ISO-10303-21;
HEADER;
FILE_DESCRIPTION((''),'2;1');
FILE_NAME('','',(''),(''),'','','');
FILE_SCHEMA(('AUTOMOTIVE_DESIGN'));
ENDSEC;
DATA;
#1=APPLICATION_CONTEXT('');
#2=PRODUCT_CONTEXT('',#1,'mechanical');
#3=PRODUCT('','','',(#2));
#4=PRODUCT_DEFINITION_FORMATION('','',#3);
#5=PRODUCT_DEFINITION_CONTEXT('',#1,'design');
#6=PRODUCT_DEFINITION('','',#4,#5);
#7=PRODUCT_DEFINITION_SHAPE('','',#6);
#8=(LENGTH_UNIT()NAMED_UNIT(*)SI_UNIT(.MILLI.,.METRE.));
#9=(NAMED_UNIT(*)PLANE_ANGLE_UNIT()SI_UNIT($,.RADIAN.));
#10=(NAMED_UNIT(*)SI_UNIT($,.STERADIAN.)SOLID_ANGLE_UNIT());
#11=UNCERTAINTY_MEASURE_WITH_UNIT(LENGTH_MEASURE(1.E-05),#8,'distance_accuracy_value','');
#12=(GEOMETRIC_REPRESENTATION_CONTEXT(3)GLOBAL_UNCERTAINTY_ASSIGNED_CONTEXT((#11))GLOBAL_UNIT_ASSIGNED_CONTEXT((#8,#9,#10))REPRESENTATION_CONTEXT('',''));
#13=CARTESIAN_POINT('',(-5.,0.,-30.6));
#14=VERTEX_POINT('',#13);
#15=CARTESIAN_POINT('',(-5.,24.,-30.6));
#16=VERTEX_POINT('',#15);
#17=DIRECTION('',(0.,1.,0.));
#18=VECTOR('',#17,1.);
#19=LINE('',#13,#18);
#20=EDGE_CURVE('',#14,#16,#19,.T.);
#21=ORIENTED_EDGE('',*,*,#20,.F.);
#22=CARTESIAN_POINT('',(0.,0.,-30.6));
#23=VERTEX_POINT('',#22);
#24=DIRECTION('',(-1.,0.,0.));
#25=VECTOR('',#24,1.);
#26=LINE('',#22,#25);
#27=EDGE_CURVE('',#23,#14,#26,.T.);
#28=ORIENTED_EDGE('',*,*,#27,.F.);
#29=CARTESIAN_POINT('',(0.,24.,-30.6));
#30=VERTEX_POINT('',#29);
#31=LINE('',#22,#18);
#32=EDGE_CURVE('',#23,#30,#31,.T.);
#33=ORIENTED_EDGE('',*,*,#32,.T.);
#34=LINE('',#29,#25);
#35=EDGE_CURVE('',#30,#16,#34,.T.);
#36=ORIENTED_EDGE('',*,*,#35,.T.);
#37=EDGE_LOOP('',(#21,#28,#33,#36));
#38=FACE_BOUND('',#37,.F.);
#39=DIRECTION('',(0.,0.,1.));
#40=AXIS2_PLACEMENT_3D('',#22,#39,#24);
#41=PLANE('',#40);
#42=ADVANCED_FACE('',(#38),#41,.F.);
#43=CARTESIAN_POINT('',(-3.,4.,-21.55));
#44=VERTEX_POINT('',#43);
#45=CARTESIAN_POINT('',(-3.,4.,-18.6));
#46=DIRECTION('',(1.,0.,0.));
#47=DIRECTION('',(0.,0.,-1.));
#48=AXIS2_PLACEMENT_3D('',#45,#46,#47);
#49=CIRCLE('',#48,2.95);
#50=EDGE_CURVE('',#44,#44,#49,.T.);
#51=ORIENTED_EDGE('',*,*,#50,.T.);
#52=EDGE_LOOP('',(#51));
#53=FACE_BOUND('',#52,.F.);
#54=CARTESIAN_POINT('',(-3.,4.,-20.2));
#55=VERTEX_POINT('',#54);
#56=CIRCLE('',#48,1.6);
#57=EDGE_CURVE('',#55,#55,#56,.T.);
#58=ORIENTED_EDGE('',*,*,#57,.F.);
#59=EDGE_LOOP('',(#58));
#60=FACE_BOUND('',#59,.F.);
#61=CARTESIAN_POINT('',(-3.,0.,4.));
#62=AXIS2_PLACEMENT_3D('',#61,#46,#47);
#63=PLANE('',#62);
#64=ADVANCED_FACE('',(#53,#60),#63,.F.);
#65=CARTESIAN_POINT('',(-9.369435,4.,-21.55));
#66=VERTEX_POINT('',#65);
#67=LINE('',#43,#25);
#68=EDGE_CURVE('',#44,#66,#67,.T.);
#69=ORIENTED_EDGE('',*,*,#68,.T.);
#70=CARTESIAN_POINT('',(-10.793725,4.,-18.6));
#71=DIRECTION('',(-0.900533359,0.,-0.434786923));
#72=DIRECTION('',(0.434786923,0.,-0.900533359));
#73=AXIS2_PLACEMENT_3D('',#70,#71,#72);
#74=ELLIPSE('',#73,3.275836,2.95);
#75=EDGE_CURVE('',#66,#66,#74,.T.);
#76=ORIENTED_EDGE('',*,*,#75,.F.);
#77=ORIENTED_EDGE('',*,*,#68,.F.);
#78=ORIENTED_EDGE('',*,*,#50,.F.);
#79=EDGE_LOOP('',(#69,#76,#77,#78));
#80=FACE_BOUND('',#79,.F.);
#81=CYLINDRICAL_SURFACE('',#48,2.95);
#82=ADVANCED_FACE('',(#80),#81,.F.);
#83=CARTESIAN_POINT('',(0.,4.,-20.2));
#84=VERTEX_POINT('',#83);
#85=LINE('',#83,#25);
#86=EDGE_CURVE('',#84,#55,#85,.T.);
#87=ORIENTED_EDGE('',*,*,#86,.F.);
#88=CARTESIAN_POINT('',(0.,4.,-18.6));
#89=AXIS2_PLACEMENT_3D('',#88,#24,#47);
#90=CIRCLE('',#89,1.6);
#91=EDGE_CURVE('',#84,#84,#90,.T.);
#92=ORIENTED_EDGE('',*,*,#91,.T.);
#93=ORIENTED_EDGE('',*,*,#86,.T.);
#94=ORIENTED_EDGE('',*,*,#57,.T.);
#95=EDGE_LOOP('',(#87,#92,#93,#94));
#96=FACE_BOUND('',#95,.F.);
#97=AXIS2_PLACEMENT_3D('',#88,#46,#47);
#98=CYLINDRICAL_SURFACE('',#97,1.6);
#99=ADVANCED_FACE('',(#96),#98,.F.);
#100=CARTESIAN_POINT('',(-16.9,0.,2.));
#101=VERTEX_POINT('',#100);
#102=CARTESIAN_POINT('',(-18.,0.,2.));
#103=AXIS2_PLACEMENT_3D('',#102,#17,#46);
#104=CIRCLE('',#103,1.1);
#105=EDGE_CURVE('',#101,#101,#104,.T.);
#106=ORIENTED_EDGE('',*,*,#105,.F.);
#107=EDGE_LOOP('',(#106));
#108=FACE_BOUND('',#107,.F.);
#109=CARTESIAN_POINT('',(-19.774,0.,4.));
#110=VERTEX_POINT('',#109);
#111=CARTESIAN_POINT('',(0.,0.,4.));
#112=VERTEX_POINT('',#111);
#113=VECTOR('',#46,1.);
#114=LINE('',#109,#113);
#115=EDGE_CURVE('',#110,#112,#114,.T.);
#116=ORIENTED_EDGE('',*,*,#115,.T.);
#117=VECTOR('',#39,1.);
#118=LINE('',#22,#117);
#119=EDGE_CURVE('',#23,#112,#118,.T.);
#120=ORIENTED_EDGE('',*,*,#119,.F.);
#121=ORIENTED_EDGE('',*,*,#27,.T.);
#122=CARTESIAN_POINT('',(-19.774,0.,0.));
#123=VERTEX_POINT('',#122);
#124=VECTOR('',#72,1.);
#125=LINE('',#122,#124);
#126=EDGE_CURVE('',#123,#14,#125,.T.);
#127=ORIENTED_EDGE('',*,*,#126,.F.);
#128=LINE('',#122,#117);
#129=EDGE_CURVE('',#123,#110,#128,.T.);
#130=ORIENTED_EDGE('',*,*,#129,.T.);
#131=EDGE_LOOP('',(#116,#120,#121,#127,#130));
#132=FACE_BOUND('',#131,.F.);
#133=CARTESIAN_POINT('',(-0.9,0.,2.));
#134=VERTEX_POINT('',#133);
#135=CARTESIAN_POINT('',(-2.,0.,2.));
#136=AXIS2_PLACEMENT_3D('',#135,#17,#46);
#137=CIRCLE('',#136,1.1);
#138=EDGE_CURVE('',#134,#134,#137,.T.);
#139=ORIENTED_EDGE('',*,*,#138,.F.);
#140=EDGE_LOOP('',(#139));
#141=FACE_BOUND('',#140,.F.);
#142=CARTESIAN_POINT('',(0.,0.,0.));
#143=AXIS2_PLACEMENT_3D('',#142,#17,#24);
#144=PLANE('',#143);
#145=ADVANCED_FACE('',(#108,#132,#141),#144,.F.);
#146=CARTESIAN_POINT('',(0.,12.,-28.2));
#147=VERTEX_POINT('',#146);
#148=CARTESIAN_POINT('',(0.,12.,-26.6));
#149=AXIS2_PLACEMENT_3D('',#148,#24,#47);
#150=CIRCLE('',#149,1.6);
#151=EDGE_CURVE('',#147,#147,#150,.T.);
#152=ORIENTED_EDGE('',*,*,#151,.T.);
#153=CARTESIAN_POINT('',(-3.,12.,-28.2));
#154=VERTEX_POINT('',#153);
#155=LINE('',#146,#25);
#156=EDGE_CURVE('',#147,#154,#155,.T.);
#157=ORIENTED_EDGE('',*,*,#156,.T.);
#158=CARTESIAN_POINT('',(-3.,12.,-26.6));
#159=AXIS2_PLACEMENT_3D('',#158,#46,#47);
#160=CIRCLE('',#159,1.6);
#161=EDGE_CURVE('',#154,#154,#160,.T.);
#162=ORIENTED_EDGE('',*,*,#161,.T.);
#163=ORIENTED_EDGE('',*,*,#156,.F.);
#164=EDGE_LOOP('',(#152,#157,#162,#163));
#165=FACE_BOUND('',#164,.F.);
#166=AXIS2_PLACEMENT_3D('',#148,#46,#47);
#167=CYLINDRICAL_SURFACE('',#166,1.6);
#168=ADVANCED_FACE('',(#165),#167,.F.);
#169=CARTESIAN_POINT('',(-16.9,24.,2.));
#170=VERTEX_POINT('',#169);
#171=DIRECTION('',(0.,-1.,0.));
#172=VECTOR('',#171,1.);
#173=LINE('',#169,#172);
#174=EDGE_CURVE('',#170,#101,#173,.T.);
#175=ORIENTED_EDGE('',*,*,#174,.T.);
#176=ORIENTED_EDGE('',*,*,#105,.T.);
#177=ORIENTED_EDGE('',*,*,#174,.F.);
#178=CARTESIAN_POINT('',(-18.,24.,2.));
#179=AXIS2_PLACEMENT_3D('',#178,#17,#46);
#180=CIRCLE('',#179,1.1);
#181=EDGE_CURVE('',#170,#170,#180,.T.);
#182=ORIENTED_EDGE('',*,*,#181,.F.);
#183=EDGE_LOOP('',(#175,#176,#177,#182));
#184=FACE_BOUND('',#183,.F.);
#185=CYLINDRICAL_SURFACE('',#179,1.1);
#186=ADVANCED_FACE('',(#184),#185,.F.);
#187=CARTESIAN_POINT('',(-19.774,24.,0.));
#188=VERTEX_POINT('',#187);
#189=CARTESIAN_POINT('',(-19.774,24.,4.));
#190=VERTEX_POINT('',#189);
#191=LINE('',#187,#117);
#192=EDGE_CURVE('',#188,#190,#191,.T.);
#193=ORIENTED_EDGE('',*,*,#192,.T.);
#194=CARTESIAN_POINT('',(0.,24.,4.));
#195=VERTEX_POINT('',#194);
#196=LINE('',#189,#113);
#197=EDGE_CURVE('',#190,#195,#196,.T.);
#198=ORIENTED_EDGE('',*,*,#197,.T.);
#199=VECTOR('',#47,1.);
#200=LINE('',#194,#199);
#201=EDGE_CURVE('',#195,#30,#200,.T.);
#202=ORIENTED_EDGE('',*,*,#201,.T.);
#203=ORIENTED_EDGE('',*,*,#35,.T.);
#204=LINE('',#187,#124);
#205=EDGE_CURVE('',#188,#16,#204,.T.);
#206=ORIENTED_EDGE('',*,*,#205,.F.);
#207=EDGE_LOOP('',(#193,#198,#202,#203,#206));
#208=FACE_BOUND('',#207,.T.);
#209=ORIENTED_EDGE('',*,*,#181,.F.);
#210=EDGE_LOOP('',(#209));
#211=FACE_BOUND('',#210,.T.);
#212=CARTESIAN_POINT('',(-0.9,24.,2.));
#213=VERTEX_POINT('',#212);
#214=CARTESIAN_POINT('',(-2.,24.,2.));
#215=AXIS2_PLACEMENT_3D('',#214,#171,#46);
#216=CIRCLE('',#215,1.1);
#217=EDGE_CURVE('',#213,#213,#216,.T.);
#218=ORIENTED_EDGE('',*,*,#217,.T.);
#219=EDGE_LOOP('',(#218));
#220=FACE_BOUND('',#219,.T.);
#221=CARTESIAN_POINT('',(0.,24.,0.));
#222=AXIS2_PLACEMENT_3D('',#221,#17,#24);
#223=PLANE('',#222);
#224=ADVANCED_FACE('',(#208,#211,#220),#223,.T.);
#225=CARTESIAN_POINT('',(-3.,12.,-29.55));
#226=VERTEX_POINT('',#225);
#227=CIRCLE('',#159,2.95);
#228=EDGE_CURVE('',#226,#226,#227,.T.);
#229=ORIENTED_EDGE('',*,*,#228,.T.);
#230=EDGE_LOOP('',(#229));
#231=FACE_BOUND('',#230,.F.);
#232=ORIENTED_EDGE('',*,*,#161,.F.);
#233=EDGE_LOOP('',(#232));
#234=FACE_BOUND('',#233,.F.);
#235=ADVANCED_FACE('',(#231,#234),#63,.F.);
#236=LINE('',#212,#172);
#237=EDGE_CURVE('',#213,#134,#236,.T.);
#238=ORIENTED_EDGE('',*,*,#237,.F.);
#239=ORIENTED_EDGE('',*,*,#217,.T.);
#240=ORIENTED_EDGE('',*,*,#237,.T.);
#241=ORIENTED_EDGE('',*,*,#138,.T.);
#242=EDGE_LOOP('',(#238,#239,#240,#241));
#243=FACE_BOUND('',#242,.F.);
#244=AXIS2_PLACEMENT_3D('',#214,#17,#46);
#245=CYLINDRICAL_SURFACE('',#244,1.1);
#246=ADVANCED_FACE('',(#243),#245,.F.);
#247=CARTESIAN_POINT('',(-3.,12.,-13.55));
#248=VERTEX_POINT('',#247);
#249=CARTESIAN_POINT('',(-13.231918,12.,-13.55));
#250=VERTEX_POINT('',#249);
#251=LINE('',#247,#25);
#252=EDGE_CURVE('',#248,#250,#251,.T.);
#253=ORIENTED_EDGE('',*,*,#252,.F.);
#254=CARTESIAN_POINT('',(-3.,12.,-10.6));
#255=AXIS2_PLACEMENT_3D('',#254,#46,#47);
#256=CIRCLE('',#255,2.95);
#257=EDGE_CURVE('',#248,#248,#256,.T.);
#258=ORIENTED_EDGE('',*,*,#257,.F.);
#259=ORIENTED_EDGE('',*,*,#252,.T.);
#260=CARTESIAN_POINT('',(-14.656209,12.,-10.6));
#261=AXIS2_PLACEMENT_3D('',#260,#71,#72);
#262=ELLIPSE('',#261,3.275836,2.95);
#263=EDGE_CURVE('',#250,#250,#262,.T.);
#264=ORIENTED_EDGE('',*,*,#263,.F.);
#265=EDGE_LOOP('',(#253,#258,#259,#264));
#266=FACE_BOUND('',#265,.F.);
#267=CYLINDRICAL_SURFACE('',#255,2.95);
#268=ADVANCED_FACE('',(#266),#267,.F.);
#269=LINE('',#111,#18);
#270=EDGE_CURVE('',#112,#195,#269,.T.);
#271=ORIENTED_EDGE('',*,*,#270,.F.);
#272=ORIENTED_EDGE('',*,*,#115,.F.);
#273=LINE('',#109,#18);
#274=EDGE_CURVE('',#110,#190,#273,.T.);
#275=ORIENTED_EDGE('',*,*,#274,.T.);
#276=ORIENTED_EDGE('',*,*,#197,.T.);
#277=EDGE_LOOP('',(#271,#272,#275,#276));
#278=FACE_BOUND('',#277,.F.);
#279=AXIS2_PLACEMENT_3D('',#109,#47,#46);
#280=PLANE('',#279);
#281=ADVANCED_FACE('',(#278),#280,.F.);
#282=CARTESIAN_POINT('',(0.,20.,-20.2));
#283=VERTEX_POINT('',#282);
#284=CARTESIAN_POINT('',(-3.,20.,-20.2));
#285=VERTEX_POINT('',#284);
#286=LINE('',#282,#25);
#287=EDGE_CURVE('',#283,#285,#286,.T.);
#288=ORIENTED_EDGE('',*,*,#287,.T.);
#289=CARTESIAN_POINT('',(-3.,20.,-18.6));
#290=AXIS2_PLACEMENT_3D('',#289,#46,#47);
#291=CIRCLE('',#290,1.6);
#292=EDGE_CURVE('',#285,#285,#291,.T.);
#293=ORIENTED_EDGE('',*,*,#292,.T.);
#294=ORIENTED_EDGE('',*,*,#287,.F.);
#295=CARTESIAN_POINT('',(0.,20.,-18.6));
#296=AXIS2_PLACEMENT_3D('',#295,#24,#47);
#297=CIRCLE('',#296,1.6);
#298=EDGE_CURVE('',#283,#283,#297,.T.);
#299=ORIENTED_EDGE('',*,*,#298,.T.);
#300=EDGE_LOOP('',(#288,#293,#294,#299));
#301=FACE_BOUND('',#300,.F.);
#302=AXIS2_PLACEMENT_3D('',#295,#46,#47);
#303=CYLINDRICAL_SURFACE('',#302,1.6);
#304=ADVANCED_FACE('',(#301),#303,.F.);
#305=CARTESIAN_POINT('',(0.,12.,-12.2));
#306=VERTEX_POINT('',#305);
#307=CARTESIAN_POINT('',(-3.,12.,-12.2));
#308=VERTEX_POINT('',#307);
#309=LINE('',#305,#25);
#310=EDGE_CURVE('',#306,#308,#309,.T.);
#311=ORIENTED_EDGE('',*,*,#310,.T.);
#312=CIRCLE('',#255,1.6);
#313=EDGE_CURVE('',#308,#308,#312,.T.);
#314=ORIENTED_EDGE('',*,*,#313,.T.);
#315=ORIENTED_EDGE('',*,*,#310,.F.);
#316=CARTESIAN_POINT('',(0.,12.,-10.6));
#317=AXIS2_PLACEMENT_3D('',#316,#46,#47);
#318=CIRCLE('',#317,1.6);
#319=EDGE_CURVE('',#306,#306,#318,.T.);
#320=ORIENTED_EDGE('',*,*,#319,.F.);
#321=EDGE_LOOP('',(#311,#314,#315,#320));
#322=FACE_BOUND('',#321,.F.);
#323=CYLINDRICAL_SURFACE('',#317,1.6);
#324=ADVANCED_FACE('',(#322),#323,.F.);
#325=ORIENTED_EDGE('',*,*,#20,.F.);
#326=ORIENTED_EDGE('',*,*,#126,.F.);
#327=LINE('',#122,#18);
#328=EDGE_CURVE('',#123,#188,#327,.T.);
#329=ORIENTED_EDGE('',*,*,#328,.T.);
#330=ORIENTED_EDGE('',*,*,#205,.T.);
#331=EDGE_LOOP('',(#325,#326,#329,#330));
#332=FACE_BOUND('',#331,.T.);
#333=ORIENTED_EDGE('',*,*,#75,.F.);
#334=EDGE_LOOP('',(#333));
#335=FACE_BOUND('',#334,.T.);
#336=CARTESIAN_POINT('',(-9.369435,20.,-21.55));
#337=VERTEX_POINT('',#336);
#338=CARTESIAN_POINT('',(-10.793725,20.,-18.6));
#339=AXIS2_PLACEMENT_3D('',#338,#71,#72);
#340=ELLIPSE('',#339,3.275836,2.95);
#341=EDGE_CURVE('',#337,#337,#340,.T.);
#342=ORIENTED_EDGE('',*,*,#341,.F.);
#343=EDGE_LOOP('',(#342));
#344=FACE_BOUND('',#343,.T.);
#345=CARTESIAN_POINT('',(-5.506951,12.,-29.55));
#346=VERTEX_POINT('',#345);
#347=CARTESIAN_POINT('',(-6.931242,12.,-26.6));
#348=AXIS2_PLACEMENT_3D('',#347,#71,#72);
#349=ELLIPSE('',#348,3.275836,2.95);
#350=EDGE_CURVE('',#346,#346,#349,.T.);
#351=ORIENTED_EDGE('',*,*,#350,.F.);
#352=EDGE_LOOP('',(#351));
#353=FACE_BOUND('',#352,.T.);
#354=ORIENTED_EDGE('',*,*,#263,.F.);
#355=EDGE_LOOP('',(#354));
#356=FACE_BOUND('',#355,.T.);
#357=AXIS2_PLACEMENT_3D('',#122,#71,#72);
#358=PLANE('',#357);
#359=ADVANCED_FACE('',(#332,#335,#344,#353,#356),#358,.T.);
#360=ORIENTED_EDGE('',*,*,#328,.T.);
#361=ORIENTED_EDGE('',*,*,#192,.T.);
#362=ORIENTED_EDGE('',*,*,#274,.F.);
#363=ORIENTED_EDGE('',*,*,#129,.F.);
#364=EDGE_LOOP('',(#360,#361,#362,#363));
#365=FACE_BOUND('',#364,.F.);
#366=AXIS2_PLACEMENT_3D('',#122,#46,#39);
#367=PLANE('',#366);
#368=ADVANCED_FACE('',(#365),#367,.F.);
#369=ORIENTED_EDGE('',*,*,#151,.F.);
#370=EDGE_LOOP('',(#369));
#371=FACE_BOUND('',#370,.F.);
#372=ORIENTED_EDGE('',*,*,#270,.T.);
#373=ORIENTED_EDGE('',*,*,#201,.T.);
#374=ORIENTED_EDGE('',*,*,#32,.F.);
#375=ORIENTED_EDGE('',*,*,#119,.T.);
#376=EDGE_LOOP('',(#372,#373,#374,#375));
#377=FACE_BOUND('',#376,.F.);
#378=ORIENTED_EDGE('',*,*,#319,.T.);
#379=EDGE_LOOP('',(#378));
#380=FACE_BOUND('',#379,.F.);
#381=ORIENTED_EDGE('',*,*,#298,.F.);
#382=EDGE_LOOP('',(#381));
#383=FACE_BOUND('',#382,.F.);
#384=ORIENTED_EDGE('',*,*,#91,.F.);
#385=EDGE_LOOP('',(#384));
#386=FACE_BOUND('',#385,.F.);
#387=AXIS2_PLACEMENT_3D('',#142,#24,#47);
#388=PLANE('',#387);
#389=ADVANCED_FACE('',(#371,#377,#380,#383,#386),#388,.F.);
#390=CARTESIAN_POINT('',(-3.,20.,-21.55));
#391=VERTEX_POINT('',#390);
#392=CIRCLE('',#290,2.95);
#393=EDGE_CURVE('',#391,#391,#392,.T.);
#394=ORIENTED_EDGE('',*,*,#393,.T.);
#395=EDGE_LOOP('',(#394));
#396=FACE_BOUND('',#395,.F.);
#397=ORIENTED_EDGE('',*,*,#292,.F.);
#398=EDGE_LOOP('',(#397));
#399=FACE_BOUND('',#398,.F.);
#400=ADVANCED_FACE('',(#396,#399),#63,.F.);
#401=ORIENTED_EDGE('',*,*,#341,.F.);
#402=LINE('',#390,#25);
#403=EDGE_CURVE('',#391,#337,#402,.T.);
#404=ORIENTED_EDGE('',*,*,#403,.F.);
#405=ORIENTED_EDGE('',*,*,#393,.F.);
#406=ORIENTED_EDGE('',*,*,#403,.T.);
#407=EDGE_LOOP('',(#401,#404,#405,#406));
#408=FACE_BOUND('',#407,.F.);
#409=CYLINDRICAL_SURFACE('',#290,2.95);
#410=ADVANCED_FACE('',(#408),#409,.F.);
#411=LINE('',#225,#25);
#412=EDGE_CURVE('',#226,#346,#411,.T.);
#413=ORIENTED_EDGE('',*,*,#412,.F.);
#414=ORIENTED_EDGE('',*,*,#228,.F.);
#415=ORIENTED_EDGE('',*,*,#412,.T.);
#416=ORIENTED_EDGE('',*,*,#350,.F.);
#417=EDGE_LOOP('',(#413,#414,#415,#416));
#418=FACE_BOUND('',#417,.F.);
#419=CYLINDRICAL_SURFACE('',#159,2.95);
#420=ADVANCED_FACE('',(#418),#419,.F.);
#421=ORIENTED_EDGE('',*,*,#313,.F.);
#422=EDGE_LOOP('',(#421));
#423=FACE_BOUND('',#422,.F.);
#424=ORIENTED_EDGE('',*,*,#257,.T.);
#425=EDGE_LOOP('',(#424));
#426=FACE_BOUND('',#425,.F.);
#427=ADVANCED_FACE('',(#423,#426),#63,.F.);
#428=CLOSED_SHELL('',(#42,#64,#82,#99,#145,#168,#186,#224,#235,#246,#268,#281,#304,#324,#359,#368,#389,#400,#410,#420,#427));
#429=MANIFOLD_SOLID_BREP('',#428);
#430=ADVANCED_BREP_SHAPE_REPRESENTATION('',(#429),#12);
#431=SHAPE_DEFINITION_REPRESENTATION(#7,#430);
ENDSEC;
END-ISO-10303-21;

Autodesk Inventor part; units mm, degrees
ref_plane "YZ Plane" through (0, 0, 0) normal (1, 0, 0) x (0, 1, 0)
ref_plane "XZ Plane" through (0, 0, 0) normal (0, 1, 0) x (-1, 0, 0)
sketch "Sketch1" plane through (0, 0, 0) normal (0, 1, 0) x (-1, 0, 0)
  line L0 (0, 0) -> (0, -30.6)
  line L1 (0, -30.6) -> (5, -30.6)
  line L2 (0, 0) -> (19.774, 0)
  line L3 (19.774, 0) -> (5, -30.6)
  line L4 (19.774, 0) -> (19.774, 4)
  line L5 (0, 0) -> (0, 9.5471)
  line L6 (19.774, 4) -> (-4.8744, 4)
  point P0 (0, 4)
  dimension "d0" = 30.6
  dimension "d1" = 5
  dimension "d2" = 19.774
  dimension "d3" = 4
extrude "Extrusion1" add sketch "Sketch1" along normal blind 24
sketch "Sketch2" plane through (0, 0, 4) normal (1, 0, 0) x (0, 0, -1)
  line L0 (34.6, 0) -> (34.6, 24) projected
  line L1 (34.6, 12) -> (30.6, 12)
  line L2 (30.6, 12) -> (14.6, 12)
  line L3 (22.6, 12) -> (22.6, 20)
  line L4 (22.6, 12) -> (22.6, 4)
  circle A0 centre (22.6, 20) radius 1.6
  circle A1 centre (14.6, 12) radius 1.6
  circle A2 centre (22.6, 4) radius 1.6
  circle A3 centre (30.6, 12) radius 1.6
  point P0 (4, 0)
  dimension "d6" = 4
  dimension "d7" = 16
  dimension "d8" = 8
  dimension "d9" = 8
  dimension "d10" = 3.2
  dimension "d11" = 3.2
  dimension "d12" = 3.2
  dimension "d13" = 3.2
extrude "Extrusion2" cut sketch "Sketch2" against normal blind 24
ref_plane "Work Plane1" through (-3, 0, 4) normal (1, 0, 0) x (0, 0, -1)
sketch "Sketch3" plane through (-3, 0, 4) normal (1, 0, 0) x (0, 0, -1)
  circle A0 centre (22.6, 20) radius 1.6 projected
  circle A1 centre (22.6, 20) radius 2.95
  circle A2 centre (14.6, 12) radius 1.6 projected
  circle A3 centre (14.6, 12) radius 2.95
  circle A4 centre (22.6, 4) radius 1.6 projected
  circle A5 centre (22.6, 4) radius 2.95
  circle A6 centre (30.6, 12) radius 1.6 projected
  circle A7 centre (30.6, 12) radius 2.95
  point P0 (4, 0)
  dimension "d17" = 5.9
  dimension "d18" = 5.9
  dimension "d19" = 5.9
  dimension "d20" = 5.9
extrude "Extrusion3" cut sketch "Sketch3" against normal blind 24 contours A0 | A1 | A2 | A3 | A4 | A5 | A6 | A7
sketch "Sketch4" plane through (0, 24, 0) normal (0, 1, 0) x (1, 0, 0)
  line L0 (0, -4) -> (0, 30.6) projected
  line L1 (0, -4) -> (-2, -4)
  line L2 (-2, -4) -> (-2, -2)
  line L3 (-2, -2) -> (0, -2)
  line L4 (0, -2) -> (0, -4)
  circle A0 centre (-2, -2) radius 1.1
  line L5 (-2, -2) -> (-18, -2)
  circle A1 centre (-18, -2) radius 1.1
  point P0 (0, 0)
  dimension "d23" = 2
  dimension "d24" = 2
  dimension "d25" = 2.2
  dimension "d26" = 16
  dimension "d27" = 2.2
extrude "Extrusion4" cut sketch "Sketch4" against normal blind 24 contours A1 | A0 L2 L3 | L3 L5 A0 | A0 L5 L2
properties part number "Finger_right_v5"
